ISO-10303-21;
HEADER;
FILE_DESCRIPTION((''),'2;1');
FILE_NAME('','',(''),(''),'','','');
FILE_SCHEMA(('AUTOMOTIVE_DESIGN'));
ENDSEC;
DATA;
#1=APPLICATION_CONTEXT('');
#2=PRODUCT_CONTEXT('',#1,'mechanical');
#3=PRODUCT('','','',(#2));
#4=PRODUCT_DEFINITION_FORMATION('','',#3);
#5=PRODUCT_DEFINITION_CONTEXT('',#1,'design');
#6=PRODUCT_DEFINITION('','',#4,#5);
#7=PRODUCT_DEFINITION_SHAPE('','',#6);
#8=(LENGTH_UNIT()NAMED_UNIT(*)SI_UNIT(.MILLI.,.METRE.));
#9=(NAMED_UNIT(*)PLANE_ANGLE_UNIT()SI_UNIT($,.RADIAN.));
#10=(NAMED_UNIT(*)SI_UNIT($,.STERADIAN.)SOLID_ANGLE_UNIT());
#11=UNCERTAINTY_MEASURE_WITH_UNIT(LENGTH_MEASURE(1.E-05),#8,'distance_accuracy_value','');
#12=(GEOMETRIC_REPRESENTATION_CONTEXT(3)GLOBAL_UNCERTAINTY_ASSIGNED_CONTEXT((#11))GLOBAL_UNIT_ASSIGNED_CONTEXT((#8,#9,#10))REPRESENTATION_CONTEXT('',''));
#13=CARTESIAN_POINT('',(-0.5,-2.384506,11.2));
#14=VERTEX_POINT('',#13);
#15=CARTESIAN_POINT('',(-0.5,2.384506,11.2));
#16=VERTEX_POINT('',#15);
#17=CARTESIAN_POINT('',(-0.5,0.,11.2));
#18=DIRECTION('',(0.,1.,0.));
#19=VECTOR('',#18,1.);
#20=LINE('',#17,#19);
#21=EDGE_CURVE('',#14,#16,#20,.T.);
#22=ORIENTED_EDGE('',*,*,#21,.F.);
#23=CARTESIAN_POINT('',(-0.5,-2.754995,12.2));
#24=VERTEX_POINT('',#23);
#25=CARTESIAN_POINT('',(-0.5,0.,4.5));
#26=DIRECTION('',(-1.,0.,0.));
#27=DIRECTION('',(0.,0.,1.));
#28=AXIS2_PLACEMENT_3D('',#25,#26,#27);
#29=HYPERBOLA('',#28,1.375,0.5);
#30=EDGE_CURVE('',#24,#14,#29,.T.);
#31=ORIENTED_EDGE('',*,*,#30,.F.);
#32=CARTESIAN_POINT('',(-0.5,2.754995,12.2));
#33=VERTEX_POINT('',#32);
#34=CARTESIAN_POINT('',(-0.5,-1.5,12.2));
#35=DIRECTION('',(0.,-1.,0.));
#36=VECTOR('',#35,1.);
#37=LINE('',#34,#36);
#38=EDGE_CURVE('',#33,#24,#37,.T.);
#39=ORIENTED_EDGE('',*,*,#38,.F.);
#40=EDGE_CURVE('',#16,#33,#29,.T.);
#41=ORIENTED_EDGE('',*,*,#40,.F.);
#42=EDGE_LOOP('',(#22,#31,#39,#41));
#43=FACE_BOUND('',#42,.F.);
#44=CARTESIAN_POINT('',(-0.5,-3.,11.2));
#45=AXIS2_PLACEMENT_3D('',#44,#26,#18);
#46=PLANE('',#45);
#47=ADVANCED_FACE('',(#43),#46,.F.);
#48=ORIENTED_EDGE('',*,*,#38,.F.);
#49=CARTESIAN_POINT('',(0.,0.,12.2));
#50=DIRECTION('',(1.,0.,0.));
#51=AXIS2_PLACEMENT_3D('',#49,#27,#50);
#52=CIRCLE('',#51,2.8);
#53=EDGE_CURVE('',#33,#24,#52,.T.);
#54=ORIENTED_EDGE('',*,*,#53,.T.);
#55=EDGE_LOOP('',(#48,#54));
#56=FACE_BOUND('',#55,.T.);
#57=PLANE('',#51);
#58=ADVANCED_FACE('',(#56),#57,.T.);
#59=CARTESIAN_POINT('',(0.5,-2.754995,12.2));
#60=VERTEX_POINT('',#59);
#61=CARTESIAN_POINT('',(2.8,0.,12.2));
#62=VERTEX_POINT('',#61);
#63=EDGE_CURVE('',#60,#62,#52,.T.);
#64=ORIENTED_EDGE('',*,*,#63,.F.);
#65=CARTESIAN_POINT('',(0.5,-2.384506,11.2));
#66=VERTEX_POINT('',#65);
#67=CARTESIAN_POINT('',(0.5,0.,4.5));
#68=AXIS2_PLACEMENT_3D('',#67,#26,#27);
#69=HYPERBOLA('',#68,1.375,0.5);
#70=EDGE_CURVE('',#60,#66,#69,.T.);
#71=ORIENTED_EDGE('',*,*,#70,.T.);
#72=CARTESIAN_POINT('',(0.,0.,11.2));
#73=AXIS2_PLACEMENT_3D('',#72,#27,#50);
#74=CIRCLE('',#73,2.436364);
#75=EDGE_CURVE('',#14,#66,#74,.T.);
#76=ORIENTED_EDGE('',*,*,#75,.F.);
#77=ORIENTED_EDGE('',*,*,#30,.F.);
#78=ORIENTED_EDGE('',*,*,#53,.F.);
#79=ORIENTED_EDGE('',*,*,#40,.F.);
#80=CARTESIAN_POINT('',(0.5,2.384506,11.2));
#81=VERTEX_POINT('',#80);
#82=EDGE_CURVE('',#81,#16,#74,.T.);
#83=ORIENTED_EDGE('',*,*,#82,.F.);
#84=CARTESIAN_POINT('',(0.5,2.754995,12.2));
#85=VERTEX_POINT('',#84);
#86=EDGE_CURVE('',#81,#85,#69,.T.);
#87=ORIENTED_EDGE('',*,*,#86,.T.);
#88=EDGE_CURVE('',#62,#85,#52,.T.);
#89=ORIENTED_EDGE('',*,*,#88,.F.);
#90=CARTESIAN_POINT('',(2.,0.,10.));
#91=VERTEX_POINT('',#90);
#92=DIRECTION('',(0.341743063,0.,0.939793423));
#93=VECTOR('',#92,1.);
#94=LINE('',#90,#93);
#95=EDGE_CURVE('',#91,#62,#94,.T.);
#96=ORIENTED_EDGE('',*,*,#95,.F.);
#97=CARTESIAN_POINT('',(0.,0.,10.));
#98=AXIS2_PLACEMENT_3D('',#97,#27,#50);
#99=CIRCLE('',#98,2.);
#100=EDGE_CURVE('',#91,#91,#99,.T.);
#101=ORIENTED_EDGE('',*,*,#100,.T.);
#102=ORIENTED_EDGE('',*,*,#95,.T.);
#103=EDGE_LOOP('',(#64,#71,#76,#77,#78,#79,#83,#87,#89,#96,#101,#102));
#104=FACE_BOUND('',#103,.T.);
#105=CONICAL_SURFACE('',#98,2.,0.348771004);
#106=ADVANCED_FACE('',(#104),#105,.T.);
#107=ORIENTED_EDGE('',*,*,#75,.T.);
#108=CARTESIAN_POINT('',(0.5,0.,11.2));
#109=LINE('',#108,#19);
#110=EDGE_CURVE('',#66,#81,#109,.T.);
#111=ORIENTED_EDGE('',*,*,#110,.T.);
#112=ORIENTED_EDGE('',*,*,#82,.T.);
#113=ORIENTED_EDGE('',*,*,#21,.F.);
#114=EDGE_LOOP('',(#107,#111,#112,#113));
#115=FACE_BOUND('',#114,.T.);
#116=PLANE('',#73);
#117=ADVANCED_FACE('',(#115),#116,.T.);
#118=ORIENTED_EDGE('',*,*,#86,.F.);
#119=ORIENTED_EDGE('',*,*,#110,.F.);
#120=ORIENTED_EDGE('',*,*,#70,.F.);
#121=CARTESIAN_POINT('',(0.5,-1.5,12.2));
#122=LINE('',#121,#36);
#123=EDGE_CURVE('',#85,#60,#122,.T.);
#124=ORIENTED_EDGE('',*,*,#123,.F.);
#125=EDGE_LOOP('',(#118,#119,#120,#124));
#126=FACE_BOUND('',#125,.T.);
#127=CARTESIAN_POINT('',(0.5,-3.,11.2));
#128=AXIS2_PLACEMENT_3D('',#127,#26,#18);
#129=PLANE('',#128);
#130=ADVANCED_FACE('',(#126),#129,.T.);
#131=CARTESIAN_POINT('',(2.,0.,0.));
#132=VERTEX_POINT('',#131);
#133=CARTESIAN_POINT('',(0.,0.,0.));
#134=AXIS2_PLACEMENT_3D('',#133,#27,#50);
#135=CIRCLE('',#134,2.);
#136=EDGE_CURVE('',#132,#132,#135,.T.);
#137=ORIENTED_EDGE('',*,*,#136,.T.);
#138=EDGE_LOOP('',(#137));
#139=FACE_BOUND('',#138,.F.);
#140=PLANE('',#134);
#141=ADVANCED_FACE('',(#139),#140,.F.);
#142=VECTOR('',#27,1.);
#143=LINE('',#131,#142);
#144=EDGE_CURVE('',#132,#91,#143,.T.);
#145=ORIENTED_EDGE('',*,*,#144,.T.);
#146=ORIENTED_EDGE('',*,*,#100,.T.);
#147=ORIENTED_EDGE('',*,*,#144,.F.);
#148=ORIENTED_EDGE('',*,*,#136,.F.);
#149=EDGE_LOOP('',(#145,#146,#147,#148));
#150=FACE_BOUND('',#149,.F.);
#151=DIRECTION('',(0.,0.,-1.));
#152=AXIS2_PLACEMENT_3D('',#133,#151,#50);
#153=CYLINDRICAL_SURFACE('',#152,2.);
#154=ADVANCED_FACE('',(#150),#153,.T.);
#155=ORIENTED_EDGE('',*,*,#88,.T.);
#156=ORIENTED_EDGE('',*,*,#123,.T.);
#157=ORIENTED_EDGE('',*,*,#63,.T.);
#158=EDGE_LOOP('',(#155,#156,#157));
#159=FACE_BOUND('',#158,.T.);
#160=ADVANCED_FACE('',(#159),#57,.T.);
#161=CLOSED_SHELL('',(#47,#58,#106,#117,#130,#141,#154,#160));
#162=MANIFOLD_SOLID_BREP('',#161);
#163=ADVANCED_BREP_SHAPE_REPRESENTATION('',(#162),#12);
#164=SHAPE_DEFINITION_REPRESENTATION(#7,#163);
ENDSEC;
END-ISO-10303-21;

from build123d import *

# Parameters (mm, degrees)
BOX_W          = 1
BOX_H          = 6
BOX_DEPTH      = 2
CYLINDER_R     = 2
CYLINDER_DEPTH = 10


with BuildPart() as ranura_destornillador:
    # Box → Box (new body)
    with BuildSketch(Plane(origin=(-0.5, -3, 11.2), x_dir=(1, 0, 0), z_dir=(0, 0, 1))):
        with Locations((0.5, 3)):
            Rectangle(BOX_W, BOX_H)
    extrude(amount=BOX_DEPTH)


with BuildPart() as cabeza_final:
    # Cone → Cone (revolve)
    with BuildSketch(Plane(origin=(0, 0, 10), x_dir=(1, 0, 0), z_dir=(0, -1, 0))):
        Polygon((0, 0), (2, 0), (2.8, 2.2), (0, 2.2), align=None)
    revolve(axis=Axis((0, 0, 10), (0, 0, 1)))

    # Cut: cut ranura_destornillador
    add(ranura_destornillador.part, mode=Mode.SUBTRACT)


with BuildPart() as tornillo_sin_rosca:
    # Cylinder → Cylinder (new body)
    with BuildSketch(Plane.XY):
        Circle(CYLINDER_R)
    extrude(amount=CYLINDER_DEPTH)

    # Fusion: union cabeza_final
    add(cabeza_final.part)


solid = tornillo_sin_rosca.part
